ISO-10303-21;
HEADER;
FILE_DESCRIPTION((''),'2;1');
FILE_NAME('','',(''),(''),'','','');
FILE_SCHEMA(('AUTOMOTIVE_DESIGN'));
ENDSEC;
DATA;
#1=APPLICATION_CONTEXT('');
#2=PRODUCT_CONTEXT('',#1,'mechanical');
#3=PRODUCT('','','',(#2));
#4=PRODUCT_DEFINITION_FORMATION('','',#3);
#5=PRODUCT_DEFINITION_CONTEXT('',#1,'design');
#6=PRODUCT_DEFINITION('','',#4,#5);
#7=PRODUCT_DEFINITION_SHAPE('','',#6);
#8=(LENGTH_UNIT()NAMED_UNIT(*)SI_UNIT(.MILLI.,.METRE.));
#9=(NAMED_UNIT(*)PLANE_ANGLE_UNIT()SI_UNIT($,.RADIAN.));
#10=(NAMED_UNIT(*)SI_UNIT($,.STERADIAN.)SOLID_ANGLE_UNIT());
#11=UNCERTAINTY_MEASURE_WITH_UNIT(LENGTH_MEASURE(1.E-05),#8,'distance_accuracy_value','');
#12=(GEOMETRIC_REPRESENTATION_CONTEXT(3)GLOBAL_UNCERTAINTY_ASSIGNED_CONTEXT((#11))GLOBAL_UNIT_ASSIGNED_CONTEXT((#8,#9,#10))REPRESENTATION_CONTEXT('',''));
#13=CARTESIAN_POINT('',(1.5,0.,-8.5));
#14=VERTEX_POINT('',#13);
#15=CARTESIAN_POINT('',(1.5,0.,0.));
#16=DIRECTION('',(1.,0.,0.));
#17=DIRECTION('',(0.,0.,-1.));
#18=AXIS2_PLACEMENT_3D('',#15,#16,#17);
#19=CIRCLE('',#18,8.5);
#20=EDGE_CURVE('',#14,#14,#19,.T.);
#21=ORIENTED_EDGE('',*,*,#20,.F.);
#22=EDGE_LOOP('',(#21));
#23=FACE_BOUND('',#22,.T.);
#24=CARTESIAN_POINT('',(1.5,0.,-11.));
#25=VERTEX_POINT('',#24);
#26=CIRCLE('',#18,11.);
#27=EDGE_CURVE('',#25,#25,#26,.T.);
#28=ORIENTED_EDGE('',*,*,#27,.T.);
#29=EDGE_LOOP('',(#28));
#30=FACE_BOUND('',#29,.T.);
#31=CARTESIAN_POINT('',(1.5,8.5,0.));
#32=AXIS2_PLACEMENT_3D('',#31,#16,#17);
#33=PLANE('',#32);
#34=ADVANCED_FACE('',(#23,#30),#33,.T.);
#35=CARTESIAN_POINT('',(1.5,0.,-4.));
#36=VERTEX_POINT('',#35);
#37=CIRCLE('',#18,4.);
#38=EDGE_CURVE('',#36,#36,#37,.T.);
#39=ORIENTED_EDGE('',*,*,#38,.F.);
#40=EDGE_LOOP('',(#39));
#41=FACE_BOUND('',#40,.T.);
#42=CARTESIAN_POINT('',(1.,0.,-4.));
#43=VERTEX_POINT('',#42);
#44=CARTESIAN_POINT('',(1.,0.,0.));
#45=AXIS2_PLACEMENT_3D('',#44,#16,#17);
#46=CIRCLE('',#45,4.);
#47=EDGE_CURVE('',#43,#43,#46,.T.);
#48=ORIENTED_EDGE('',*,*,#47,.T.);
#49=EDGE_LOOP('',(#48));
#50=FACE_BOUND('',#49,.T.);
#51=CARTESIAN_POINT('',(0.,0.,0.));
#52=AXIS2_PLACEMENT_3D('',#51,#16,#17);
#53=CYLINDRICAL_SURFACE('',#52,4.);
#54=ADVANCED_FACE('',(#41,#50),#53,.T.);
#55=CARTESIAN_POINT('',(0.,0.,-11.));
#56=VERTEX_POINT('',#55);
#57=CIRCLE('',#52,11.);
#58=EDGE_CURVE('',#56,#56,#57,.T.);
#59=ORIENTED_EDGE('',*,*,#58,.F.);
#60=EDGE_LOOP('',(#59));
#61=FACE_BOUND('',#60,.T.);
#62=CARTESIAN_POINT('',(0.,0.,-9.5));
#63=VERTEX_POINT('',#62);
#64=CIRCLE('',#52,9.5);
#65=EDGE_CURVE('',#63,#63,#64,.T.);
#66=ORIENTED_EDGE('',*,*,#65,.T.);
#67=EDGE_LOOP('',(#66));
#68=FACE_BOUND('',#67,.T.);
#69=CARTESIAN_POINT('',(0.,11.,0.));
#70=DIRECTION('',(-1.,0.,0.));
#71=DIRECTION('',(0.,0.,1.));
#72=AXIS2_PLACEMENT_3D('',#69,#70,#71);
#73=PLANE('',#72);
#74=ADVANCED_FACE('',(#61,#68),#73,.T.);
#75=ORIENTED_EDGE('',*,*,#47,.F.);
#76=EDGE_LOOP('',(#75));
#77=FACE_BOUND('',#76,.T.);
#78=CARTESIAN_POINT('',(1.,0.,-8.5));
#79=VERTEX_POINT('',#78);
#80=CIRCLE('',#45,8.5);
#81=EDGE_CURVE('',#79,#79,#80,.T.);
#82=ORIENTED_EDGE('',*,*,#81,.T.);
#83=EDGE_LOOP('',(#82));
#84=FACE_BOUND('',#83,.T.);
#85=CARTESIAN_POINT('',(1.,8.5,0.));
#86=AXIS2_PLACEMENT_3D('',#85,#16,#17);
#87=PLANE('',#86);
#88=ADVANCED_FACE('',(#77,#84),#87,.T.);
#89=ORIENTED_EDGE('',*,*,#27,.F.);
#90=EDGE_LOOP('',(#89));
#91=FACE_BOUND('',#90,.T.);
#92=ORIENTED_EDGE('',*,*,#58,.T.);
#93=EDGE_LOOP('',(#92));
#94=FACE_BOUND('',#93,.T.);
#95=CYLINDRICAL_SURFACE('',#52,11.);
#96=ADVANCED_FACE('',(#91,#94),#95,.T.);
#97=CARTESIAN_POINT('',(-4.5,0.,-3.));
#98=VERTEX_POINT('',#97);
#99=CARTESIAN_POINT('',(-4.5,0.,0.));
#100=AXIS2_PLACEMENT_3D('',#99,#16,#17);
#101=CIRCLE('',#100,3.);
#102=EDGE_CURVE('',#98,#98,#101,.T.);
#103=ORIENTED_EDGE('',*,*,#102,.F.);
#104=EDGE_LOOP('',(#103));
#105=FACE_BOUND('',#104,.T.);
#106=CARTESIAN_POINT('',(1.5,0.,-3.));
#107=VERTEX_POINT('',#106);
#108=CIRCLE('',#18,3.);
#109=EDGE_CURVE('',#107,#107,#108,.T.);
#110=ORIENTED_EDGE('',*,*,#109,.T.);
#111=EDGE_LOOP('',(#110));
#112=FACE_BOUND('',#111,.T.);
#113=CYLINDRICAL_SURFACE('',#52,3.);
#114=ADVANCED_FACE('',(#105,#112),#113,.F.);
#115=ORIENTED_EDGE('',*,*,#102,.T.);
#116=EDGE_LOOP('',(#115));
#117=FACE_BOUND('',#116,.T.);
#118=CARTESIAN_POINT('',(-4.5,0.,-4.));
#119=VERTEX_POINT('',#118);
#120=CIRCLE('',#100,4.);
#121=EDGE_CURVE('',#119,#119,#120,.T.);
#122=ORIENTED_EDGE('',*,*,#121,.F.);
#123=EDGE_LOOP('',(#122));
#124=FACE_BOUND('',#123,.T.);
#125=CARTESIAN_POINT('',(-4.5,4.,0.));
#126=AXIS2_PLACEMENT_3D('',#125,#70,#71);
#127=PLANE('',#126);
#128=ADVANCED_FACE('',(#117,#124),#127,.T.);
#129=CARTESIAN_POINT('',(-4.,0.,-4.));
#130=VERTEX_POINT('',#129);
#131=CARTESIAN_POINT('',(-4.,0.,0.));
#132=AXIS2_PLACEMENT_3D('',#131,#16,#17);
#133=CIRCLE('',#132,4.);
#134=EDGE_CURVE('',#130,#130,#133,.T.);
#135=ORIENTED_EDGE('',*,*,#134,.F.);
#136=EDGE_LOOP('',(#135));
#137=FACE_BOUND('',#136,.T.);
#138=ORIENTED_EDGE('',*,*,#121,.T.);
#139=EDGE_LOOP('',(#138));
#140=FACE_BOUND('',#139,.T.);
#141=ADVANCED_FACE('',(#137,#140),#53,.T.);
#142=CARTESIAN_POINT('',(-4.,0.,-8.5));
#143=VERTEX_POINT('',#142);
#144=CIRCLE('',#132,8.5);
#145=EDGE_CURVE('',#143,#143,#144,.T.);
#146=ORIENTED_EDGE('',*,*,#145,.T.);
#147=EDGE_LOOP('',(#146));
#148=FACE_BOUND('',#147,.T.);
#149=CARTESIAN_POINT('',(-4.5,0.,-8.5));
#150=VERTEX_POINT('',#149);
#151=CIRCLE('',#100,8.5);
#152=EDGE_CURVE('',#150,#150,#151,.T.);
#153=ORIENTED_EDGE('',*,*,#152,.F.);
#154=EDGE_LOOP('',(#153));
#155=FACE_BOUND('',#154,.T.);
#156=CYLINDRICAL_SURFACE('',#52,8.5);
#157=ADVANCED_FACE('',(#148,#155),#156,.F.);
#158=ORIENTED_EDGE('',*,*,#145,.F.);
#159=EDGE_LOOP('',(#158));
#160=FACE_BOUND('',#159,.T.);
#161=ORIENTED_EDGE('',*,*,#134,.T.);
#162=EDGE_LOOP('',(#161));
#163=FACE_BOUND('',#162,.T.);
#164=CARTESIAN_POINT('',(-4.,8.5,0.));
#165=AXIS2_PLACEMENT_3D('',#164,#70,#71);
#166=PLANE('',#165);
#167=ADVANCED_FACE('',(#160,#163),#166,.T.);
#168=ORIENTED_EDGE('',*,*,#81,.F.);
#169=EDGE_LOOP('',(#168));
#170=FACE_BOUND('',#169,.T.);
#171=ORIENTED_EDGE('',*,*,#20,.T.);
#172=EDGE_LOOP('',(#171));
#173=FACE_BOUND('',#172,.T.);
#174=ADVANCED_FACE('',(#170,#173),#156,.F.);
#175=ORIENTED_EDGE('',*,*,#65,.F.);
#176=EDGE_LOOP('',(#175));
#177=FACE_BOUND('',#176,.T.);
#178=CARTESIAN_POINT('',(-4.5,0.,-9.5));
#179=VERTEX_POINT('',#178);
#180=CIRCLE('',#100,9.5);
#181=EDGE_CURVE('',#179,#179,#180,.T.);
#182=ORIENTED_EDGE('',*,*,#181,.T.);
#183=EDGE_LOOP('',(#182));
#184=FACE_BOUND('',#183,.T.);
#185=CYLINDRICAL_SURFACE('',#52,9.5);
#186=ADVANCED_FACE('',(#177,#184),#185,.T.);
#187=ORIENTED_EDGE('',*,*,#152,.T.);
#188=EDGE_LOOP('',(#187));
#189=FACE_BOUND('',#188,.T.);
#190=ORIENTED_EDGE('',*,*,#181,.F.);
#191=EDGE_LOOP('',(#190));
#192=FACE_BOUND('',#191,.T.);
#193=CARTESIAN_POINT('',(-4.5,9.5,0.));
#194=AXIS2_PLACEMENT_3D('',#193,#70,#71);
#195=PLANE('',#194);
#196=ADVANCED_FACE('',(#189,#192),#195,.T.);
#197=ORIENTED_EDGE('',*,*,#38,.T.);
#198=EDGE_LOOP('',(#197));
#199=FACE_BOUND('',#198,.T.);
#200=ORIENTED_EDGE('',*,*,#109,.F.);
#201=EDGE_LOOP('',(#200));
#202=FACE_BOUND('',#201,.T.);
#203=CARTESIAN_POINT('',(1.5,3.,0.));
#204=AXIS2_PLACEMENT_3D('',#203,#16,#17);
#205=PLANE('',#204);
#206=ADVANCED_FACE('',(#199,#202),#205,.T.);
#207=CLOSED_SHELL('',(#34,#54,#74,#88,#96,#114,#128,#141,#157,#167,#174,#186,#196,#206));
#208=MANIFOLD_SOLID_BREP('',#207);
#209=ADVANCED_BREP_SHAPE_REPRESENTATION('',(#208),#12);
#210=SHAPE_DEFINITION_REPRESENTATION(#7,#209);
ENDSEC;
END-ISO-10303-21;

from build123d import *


with BuildPart() as part:
    # Sketch1 → Revolve1 (revolve)
    with BuildSketch(Plane.XY):
        Polygon((-4.5, 3), (1.5, 3), (1.5, 4), (1, 4), (1, 8.5), (1.5, 8.5), (1.5, 11), (0, 11), (0, 9.5), (-4.5, 9.5), (-4.5, 8.5), (-4, 8.5), (-4, 4), (-4.5, 4), align=None)
    revolve(axis=Axis((0, 0, 0), (-1, 0, 0)))


solid = part.part
